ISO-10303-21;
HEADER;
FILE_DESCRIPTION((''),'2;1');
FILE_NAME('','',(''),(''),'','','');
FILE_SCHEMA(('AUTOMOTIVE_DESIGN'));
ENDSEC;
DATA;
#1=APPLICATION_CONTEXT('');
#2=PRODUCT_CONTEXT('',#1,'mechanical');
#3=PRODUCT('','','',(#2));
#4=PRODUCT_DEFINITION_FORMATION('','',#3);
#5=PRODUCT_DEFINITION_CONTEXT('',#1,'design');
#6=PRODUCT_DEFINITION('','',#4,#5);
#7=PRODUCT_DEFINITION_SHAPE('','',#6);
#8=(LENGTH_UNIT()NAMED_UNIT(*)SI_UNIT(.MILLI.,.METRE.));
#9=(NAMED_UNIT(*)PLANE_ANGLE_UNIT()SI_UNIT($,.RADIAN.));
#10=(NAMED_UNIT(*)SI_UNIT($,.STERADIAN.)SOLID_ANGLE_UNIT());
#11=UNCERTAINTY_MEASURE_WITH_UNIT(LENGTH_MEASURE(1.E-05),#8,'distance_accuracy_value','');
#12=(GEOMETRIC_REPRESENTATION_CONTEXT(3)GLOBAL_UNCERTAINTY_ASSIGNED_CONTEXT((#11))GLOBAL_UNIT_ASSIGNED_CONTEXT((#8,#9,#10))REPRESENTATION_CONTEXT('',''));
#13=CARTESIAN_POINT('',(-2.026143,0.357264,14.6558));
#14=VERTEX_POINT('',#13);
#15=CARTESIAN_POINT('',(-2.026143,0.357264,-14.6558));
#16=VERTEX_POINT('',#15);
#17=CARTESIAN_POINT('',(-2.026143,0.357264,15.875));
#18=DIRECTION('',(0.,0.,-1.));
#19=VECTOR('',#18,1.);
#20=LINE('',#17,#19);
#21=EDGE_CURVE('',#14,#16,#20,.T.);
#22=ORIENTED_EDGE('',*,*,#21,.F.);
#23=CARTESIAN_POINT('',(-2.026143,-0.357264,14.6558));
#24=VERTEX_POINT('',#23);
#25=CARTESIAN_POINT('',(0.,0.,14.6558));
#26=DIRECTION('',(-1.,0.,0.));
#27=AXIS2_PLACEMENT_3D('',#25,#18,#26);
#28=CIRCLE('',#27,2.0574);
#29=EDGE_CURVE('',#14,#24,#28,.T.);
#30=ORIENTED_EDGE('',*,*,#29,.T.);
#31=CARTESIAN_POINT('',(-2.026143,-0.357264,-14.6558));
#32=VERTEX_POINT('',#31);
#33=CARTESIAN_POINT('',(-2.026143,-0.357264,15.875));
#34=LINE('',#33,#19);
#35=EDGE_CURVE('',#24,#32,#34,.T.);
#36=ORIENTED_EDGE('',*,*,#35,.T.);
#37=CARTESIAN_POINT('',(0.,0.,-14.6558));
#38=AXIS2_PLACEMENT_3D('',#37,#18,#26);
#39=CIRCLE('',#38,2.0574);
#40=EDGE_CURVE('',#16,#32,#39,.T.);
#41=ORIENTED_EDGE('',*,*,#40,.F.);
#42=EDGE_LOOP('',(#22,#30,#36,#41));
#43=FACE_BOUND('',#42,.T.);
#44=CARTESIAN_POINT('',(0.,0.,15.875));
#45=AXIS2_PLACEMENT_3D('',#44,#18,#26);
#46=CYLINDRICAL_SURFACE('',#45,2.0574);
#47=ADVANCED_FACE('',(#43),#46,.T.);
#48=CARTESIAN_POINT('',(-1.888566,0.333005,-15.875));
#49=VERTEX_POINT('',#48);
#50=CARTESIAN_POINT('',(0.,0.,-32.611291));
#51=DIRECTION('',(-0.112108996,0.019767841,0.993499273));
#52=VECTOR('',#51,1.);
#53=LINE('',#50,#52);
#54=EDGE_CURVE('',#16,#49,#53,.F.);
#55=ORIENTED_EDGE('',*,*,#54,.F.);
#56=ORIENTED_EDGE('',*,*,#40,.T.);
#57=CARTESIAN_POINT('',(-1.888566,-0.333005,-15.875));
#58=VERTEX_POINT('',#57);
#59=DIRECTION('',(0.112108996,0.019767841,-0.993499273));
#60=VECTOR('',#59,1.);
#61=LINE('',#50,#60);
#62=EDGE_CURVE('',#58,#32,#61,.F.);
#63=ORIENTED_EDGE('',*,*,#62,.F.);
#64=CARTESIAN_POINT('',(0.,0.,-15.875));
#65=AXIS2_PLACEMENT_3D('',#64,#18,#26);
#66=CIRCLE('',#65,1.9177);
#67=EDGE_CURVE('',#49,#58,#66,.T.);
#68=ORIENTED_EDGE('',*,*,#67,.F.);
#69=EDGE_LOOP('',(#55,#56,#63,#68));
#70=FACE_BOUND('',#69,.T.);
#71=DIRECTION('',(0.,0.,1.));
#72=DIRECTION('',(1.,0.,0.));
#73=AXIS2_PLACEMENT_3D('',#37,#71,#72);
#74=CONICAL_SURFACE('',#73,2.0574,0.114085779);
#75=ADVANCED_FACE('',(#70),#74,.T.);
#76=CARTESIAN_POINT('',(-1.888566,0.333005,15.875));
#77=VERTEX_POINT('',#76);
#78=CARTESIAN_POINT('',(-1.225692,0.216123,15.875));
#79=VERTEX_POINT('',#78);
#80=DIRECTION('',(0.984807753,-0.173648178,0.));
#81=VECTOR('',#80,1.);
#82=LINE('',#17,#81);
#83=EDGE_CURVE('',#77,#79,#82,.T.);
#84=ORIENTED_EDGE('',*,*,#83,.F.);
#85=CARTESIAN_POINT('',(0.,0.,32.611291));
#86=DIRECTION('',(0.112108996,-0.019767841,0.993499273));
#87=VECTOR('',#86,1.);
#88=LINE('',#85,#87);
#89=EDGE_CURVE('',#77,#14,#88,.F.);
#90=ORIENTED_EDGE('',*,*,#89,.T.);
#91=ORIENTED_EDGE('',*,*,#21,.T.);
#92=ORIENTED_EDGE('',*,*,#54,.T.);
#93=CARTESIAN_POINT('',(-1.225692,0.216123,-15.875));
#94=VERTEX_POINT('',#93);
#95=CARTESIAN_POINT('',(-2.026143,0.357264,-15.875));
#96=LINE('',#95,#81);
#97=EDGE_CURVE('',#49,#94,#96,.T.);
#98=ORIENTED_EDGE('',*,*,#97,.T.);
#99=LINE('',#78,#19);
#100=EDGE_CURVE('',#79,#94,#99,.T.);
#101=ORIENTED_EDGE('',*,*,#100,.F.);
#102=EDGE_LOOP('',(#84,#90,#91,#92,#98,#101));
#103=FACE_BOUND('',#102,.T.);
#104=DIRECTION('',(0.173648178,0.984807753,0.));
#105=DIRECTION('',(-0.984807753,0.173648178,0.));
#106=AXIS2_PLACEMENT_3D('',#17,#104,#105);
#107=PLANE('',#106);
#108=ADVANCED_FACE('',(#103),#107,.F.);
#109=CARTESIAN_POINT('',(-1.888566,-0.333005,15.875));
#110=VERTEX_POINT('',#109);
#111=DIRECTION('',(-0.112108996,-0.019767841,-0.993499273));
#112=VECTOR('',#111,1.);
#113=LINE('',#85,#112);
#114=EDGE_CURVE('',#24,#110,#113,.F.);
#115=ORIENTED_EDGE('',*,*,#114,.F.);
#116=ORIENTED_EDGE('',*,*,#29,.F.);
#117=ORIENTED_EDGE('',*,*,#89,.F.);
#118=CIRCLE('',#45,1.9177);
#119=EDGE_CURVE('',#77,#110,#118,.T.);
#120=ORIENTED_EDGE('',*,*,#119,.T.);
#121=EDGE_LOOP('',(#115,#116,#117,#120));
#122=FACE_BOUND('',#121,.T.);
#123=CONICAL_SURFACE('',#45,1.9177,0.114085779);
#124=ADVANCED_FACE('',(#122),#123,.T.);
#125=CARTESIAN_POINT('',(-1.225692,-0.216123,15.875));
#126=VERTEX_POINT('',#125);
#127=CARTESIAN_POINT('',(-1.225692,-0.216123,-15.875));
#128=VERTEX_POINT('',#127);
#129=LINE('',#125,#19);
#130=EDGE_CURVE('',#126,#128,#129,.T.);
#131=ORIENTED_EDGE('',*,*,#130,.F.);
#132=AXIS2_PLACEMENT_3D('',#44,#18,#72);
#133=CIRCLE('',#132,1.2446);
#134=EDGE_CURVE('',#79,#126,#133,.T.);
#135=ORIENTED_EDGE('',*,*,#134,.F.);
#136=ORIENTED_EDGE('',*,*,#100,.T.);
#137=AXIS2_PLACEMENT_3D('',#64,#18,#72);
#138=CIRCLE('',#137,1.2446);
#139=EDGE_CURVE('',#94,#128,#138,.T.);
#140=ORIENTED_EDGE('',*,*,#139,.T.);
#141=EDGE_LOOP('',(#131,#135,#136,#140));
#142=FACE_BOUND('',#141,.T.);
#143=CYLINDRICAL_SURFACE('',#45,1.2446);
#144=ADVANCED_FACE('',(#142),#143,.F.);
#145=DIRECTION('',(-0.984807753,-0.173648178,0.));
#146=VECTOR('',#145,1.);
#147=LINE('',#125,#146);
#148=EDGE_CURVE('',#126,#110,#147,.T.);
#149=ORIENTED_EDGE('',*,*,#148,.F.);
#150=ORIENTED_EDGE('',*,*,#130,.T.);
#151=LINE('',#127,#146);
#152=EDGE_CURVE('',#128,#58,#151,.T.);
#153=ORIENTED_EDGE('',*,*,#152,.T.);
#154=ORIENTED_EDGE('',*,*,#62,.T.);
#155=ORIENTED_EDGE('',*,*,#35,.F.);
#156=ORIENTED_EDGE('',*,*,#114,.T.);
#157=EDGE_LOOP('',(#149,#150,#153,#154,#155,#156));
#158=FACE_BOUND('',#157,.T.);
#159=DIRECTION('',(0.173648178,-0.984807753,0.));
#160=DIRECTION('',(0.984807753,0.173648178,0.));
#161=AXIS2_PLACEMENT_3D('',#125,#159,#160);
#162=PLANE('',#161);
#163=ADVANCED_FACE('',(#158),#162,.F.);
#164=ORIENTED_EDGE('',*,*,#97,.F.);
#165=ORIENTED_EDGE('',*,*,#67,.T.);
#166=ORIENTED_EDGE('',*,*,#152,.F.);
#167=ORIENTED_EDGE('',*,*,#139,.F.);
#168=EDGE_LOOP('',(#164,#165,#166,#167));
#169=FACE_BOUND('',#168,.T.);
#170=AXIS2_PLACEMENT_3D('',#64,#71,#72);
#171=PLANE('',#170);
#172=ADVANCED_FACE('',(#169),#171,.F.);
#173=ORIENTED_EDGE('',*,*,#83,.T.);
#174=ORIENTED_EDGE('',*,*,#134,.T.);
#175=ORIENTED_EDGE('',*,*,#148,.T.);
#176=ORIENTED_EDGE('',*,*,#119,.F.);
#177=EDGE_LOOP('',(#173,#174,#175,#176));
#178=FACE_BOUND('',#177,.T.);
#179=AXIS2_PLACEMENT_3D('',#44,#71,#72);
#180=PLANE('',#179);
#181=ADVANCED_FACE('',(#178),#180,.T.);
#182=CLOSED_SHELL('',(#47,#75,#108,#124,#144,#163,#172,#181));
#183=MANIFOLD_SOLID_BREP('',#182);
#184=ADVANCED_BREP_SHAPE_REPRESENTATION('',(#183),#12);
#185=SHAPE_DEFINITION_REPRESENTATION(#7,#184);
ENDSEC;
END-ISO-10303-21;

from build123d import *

# Parameters (mm, degrees)
EXTRUDE1_DEPTH = 15.875


with BuildPart() as part:
    # Sketch1 → Extrude1 (new body, symmetric)
    with BuildSketch(Plane.XY):
        with BuildLine():
            Line((-2.026143471, 0.357263761), (-1.225691729, 0.216122522))
            ThreePointArc((-1.225691729, 0.216122522), (1.2446, 0), (-1.225691729, -0.216122522))
            Line((-1.225691729, -0.216122522), (-2.026143471, -0.357263761))
            ThreePointArc((-2.026143471, -0.357263761), (2.0574, 0), (-2.026143471, 0.357263761))
        make_face()
    extrude(amount=EXTRUDE1_DEPTH, both=True)

    # Sketch2 → Cut-Revolve1 (revolve, cut)
    with BuildSketch(Plane(origin=(0, 0, 0), x_dir=(0, 0, -1), z_dir=(1, 0, 0))):
        Polygon((15.875, 2.0574), (15.875, 1.9177), (14.6558, 2.0574), align=None)
        Polygon((-14.6558, 2.0574), (-15.875, 2.0574), (-15.875, 1.9177), align=None)
    revolve(axis=Axis((0, 0, -15.875), (0, 0, 1)), mode=Mode.SUBTRACT)


solid = part.part
